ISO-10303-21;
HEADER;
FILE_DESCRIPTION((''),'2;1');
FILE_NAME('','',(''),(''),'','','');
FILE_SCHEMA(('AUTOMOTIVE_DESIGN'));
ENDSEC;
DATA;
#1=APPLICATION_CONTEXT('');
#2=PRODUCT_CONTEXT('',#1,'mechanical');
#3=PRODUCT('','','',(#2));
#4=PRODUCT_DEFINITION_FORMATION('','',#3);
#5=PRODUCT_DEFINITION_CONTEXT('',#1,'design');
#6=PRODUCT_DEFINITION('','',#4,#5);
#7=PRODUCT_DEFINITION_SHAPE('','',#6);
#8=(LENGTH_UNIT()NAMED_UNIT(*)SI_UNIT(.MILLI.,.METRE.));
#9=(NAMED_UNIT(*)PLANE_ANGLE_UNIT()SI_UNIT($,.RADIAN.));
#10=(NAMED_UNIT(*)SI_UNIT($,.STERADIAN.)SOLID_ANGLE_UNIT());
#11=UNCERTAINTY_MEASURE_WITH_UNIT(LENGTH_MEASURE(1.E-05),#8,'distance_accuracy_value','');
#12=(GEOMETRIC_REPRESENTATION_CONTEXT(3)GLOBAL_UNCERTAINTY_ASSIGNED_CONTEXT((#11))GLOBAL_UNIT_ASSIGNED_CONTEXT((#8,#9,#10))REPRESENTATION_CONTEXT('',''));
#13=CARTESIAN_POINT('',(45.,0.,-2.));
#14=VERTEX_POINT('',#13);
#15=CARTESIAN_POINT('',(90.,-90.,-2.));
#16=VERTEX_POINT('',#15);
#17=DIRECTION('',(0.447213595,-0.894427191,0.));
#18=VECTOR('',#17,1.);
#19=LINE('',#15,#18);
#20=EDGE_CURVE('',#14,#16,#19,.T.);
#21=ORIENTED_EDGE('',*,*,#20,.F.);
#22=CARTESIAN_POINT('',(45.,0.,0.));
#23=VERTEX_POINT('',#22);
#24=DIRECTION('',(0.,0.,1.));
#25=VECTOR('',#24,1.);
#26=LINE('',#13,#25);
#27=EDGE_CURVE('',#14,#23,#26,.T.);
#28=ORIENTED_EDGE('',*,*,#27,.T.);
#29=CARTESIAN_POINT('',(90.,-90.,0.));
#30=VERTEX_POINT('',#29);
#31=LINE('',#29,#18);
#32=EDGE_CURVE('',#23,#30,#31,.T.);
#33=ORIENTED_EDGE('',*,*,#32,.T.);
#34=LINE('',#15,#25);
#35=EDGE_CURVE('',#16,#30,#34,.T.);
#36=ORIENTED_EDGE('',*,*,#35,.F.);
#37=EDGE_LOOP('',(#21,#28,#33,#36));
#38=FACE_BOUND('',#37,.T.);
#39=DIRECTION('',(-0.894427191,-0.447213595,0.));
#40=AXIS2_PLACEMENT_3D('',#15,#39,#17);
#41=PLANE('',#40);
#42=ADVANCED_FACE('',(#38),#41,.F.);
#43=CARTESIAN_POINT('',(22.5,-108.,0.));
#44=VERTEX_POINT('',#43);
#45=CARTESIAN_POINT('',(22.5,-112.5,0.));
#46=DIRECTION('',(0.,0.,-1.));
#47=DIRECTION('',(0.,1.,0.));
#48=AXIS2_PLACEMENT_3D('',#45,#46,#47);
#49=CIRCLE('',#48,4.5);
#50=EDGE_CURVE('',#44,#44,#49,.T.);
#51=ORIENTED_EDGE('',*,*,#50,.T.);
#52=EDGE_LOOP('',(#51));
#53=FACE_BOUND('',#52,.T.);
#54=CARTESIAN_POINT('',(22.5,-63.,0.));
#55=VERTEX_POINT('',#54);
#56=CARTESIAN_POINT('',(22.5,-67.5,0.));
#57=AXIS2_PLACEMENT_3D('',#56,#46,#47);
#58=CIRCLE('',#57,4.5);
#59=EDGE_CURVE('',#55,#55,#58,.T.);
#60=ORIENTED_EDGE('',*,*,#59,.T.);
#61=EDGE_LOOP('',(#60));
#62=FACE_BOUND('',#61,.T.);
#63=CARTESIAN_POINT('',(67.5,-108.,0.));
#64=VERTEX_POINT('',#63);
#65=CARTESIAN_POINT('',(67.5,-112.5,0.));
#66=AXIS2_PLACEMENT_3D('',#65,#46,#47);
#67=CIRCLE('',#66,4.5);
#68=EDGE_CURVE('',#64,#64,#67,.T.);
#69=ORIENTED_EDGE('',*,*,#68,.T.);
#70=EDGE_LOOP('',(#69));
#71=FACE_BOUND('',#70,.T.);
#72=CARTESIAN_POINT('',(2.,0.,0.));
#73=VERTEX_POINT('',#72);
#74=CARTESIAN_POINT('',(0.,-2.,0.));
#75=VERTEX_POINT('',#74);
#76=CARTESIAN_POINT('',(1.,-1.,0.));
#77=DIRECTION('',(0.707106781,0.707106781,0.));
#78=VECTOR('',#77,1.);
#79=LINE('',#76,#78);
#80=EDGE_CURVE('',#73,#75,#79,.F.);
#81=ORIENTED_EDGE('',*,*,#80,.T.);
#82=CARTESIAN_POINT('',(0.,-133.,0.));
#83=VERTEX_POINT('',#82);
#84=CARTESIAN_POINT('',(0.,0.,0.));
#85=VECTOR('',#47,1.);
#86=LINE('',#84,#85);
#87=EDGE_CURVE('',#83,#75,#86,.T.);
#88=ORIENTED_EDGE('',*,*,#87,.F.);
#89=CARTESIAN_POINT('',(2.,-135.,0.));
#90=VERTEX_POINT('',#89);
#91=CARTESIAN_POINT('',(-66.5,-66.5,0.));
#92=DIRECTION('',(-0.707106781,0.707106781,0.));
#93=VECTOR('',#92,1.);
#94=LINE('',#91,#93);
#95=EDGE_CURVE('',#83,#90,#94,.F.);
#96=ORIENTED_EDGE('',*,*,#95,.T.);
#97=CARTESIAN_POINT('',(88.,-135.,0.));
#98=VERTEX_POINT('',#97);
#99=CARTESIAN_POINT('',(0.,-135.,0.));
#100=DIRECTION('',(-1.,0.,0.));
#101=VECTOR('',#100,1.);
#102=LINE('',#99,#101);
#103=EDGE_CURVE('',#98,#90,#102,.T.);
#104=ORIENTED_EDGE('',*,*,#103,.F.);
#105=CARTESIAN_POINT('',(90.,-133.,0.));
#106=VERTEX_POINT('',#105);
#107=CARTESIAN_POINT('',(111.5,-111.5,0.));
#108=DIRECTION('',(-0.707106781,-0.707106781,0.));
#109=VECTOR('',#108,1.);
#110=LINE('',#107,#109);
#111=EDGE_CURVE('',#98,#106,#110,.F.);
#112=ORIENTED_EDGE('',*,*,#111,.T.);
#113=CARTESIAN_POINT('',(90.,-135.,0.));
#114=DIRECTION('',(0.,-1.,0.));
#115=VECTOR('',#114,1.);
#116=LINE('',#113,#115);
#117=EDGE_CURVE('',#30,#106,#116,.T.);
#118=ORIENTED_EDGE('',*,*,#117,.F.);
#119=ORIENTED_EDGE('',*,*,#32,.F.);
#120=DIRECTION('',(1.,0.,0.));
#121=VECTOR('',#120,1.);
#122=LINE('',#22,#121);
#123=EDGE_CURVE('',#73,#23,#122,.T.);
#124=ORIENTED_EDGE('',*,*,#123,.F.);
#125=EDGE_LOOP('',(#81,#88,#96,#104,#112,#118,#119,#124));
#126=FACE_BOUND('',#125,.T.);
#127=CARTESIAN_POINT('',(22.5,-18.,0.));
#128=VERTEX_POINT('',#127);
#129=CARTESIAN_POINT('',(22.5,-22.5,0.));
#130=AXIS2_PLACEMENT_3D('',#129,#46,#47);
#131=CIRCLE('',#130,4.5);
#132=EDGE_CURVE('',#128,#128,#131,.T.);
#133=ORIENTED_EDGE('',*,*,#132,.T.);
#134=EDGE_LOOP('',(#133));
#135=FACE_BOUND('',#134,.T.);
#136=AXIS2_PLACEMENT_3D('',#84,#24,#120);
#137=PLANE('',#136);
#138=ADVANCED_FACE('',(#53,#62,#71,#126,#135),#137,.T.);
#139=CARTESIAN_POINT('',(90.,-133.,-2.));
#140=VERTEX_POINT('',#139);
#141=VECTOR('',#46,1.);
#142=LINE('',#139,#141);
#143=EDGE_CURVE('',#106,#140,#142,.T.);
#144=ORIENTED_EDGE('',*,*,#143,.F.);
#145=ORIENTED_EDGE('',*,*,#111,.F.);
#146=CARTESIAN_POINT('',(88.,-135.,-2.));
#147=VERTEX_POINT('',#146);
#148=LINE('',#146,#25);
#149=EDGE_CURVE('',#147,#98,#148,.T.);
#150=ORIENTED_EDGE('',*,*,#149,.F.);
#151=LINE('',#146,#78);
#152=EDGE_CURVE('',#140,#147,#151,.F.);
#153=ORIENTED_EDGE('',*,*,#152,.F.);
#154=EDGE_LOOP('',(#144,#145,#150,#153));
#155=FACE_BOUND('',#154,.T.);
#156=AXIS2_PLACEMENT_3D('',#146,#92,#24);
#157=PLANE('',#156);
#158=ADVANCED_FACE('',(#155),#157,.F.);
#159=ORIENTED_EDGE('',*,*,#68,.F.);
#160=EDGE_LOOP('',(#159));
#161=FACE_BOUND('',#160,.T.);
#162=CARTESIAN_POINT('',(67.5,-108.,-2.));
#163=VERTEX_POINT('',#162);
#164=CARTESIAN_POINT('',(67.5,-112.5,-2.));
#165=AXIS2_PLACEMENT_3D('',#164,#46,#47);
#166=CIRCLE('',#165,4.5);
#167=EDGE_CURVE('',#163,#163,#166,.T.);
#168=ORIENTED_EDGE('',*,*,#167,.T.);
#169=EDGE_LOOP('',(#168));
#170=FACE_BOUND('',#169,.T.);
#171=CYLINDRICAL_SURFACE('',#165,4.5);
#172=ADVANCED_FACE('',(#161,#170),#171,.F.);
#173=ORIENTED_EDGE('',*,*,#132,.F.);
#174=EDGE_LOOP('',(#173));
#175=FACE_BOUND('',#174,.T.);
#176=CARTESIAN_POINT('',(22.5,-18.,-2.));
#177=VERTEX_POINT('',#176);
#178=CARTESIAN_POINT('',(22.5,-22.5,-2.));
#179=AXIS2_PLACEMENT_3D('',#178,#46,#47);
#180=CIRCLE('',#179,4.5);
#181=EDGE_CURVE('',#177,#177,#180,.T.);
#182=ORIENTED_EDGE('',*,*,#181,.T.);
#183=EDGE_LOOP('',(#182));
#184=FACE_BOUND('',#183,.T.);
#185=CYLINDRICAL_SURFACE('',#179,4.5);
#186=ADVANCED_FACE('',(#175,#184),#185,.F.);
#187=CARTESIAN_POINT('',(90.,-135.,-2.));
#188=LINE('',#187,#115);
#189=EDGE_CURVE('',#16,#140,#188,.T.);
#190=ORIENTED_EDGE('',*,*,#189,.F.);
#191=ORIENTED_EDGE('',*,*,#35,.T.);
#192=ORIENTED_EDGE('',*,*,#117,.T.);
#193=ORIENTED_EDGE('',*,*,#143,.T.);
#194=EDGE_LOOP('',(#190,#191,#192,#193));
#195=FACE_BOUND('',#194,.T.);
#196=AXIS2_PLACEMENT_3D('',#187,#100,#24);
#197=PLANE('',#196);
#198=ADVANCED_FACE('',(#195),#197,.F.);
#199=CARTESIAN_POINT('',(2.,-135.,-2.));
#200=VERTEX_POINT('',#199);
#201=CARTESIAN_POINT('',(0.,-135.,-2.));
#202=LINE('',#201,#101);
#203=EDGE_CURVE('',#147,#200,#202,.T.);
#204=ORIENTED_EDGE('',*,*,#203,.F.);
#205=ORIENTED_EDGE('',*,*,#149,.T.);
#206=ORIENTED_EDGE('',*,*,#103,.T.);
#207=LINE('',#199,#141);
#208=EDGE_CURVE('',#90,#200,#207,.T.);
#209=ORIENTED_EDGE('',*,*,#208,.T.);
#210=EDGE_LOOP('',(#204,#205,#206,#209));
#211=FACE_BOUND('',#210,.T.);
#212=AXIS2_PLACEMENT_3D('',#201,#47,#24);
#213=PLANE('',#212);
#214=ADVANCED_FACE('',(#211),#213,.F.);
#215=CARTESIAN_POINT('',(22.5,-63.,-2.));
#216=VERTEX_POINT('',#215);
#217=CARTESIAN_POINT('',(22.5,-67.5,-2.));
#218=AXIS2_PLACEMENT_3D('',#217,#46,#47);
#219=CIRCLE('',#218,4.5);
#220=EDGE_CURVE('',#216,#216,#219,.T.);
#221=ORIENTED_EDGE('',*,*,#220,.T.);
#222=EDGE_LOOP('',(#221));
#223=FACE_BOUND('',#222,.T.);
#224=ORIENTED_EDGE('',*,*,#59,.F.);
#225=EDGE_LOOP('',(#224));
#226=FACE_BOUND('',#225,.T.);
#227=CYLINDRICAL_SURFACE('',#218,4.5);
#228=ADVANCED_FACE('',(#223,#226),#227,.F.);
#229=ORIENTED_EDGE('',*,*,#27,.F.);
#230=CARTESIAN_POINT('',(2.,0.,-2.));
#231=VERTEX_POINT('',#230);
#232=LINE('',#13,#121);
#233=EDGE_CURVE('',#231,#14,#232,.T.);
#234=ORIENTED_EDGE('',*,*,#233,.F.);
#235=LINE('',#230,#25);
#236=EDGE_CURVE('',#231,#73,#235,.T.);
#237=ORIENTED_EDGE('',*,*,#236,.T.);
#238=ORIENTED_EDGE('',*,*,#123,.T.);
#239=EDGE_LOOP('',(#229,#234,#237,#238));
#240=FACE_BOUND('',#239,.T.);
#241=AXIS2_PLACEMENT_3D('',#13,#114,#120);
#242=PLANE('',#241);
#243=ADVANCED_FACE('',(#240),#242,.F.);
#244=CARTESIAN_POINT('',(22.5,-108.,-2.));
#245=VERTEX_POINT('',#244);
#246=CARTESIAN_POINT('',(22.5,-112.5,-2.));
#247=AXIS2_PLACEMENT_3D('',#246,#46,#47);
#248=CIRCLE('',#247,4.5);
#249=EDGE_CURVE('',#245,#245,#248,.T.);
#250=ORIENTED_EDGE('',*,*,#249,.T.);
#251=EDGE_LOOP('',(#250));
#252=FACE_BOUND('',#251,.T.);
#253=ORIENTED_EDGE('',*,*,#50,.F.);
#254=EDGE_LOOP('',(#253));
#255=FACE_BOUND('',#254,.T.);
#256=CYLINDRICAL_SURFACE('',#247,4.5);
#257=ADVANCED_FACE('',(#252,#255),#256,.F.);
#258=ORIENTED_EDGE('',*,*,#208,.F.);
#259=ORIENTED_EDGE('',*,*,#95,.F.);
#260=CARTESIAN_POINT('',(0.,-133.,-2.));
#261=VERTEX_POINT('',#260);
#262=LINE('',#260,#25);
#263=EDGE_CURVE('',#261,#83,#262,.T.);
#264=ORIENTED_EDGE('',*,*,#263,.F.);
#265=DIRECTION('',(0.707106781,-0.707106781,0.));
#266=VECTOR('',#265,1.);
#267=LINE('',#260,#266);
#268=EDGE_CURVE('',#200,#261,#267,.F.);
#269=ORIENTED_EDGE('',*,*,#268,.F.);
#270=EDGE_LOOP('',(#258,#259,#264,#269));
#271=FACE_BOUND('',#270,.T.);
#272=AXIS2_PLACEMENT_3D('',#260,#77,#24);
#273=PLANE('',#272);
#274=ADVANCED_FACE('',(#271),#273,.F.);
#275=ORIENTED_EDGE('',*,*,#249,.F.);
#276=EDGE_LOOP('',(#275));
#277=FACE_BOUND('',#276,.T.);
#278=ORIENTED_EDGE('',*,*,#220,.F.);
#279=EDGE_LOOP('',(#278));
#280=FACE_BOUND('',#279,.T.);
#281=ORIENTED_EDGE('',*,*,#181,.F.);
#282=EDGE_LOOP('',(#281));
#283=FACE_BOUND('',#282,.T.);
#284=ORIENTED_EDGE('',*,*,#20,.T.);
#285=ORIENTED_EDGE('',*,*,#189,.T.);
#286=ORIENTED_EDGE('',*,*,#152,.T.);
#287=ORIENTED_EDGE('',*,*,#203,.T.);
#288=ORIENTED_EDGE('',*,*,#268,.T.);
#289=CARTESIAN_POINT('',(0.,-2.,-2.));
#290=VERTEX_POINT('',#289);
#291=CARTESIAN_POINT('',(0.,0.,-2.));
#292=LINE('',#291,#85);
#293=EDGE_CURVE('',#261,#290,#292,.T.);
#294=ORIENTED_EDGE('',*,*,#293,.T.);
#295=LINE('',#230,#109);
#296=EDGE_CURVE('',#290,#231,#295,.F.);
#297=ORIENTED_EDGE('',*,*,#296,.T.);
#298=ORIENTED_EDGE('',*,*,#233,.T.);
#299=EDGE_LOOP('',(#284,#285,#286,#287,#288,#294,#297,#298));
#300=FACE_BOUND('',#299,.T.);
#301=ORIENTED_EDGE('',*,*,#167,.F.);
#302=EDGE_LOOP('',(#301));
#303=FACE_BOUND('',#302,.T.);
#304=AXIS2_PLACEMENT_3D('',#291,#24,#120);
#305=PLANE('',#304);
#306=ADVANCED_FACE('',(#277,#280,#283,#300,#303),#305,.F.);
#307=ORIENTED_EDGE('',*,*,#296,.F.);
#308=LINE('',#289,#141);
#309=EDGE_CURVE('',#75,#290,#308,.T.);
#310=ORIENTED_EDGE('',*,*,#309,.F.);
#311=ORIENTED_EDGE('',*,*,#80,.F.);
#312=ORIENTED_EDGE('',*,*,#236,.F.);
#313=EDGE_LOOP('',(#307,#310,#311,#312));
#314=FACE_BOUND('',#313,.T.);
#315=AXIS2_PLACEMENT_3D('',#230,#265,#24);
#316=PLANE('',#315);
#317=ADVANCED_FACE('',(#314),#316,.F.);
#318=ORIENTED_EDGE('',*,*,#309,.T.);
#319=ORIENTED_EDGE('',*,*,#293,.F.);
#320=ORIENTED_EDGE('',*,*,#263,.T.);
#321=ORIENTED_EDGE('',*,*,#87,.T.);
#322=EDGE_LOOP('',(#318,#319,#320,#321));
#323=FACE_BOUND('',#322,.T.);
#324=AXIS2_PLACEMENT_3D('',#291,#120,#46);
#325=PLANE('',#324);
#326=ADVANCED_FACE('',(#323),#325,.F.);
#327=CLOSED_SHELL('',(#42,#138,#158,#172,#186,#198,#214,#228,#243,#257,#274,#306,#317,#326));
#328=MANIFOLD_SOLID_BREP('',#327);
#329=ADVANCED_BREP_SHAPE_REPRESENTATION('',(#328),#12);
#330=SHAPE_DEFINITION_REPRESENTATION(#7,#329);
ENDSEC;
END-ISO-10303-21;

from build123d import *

# Parameters (mm, degrees)
EXTRUDE_1_DEPTH   = 2
HOLE_WIZARD_M81_D = 9
CHAMFER_1_SIZE    = 2


with BuildPart() as part:
    # Эскиз1 → Бобышка-Вытянуть1 (new body)
    with BuildSketch(Plane(origin=(0, 0, 0), x_dir=(1, 0, 0), z_dir=(0, 0, -1))):
        Polygon((0, 0), (0, 135), (90, 135), (90, 90), (45, 0), align=None)
    extrude(amount=EXTRUDE_1_DEPTH)

    # Отверстие с зазором M81 (through all)
    with Locations(Plane(origin=(0, 0, -2), x_dir=(1, 0, 0), z_dir=(0, 0, -1))):
        with Locations((67.5, 112.5), (22.5, 112.5), (22.5, 67.5), (22.5, 22.5)):
            Hole(HOLE_WIZARD_M81_D / 2)

    # Фаска1
    chamfer_1_edges = [part.edges().sort_by_distance(p)[0] for p in [
        (0, 0, -1),
        (0, -135, -1),
        (90, -135, -1),
    ]]
    chamfer(chamfer_1_edges, length=CHAMFER_1_SIZE)


solid = part.part
